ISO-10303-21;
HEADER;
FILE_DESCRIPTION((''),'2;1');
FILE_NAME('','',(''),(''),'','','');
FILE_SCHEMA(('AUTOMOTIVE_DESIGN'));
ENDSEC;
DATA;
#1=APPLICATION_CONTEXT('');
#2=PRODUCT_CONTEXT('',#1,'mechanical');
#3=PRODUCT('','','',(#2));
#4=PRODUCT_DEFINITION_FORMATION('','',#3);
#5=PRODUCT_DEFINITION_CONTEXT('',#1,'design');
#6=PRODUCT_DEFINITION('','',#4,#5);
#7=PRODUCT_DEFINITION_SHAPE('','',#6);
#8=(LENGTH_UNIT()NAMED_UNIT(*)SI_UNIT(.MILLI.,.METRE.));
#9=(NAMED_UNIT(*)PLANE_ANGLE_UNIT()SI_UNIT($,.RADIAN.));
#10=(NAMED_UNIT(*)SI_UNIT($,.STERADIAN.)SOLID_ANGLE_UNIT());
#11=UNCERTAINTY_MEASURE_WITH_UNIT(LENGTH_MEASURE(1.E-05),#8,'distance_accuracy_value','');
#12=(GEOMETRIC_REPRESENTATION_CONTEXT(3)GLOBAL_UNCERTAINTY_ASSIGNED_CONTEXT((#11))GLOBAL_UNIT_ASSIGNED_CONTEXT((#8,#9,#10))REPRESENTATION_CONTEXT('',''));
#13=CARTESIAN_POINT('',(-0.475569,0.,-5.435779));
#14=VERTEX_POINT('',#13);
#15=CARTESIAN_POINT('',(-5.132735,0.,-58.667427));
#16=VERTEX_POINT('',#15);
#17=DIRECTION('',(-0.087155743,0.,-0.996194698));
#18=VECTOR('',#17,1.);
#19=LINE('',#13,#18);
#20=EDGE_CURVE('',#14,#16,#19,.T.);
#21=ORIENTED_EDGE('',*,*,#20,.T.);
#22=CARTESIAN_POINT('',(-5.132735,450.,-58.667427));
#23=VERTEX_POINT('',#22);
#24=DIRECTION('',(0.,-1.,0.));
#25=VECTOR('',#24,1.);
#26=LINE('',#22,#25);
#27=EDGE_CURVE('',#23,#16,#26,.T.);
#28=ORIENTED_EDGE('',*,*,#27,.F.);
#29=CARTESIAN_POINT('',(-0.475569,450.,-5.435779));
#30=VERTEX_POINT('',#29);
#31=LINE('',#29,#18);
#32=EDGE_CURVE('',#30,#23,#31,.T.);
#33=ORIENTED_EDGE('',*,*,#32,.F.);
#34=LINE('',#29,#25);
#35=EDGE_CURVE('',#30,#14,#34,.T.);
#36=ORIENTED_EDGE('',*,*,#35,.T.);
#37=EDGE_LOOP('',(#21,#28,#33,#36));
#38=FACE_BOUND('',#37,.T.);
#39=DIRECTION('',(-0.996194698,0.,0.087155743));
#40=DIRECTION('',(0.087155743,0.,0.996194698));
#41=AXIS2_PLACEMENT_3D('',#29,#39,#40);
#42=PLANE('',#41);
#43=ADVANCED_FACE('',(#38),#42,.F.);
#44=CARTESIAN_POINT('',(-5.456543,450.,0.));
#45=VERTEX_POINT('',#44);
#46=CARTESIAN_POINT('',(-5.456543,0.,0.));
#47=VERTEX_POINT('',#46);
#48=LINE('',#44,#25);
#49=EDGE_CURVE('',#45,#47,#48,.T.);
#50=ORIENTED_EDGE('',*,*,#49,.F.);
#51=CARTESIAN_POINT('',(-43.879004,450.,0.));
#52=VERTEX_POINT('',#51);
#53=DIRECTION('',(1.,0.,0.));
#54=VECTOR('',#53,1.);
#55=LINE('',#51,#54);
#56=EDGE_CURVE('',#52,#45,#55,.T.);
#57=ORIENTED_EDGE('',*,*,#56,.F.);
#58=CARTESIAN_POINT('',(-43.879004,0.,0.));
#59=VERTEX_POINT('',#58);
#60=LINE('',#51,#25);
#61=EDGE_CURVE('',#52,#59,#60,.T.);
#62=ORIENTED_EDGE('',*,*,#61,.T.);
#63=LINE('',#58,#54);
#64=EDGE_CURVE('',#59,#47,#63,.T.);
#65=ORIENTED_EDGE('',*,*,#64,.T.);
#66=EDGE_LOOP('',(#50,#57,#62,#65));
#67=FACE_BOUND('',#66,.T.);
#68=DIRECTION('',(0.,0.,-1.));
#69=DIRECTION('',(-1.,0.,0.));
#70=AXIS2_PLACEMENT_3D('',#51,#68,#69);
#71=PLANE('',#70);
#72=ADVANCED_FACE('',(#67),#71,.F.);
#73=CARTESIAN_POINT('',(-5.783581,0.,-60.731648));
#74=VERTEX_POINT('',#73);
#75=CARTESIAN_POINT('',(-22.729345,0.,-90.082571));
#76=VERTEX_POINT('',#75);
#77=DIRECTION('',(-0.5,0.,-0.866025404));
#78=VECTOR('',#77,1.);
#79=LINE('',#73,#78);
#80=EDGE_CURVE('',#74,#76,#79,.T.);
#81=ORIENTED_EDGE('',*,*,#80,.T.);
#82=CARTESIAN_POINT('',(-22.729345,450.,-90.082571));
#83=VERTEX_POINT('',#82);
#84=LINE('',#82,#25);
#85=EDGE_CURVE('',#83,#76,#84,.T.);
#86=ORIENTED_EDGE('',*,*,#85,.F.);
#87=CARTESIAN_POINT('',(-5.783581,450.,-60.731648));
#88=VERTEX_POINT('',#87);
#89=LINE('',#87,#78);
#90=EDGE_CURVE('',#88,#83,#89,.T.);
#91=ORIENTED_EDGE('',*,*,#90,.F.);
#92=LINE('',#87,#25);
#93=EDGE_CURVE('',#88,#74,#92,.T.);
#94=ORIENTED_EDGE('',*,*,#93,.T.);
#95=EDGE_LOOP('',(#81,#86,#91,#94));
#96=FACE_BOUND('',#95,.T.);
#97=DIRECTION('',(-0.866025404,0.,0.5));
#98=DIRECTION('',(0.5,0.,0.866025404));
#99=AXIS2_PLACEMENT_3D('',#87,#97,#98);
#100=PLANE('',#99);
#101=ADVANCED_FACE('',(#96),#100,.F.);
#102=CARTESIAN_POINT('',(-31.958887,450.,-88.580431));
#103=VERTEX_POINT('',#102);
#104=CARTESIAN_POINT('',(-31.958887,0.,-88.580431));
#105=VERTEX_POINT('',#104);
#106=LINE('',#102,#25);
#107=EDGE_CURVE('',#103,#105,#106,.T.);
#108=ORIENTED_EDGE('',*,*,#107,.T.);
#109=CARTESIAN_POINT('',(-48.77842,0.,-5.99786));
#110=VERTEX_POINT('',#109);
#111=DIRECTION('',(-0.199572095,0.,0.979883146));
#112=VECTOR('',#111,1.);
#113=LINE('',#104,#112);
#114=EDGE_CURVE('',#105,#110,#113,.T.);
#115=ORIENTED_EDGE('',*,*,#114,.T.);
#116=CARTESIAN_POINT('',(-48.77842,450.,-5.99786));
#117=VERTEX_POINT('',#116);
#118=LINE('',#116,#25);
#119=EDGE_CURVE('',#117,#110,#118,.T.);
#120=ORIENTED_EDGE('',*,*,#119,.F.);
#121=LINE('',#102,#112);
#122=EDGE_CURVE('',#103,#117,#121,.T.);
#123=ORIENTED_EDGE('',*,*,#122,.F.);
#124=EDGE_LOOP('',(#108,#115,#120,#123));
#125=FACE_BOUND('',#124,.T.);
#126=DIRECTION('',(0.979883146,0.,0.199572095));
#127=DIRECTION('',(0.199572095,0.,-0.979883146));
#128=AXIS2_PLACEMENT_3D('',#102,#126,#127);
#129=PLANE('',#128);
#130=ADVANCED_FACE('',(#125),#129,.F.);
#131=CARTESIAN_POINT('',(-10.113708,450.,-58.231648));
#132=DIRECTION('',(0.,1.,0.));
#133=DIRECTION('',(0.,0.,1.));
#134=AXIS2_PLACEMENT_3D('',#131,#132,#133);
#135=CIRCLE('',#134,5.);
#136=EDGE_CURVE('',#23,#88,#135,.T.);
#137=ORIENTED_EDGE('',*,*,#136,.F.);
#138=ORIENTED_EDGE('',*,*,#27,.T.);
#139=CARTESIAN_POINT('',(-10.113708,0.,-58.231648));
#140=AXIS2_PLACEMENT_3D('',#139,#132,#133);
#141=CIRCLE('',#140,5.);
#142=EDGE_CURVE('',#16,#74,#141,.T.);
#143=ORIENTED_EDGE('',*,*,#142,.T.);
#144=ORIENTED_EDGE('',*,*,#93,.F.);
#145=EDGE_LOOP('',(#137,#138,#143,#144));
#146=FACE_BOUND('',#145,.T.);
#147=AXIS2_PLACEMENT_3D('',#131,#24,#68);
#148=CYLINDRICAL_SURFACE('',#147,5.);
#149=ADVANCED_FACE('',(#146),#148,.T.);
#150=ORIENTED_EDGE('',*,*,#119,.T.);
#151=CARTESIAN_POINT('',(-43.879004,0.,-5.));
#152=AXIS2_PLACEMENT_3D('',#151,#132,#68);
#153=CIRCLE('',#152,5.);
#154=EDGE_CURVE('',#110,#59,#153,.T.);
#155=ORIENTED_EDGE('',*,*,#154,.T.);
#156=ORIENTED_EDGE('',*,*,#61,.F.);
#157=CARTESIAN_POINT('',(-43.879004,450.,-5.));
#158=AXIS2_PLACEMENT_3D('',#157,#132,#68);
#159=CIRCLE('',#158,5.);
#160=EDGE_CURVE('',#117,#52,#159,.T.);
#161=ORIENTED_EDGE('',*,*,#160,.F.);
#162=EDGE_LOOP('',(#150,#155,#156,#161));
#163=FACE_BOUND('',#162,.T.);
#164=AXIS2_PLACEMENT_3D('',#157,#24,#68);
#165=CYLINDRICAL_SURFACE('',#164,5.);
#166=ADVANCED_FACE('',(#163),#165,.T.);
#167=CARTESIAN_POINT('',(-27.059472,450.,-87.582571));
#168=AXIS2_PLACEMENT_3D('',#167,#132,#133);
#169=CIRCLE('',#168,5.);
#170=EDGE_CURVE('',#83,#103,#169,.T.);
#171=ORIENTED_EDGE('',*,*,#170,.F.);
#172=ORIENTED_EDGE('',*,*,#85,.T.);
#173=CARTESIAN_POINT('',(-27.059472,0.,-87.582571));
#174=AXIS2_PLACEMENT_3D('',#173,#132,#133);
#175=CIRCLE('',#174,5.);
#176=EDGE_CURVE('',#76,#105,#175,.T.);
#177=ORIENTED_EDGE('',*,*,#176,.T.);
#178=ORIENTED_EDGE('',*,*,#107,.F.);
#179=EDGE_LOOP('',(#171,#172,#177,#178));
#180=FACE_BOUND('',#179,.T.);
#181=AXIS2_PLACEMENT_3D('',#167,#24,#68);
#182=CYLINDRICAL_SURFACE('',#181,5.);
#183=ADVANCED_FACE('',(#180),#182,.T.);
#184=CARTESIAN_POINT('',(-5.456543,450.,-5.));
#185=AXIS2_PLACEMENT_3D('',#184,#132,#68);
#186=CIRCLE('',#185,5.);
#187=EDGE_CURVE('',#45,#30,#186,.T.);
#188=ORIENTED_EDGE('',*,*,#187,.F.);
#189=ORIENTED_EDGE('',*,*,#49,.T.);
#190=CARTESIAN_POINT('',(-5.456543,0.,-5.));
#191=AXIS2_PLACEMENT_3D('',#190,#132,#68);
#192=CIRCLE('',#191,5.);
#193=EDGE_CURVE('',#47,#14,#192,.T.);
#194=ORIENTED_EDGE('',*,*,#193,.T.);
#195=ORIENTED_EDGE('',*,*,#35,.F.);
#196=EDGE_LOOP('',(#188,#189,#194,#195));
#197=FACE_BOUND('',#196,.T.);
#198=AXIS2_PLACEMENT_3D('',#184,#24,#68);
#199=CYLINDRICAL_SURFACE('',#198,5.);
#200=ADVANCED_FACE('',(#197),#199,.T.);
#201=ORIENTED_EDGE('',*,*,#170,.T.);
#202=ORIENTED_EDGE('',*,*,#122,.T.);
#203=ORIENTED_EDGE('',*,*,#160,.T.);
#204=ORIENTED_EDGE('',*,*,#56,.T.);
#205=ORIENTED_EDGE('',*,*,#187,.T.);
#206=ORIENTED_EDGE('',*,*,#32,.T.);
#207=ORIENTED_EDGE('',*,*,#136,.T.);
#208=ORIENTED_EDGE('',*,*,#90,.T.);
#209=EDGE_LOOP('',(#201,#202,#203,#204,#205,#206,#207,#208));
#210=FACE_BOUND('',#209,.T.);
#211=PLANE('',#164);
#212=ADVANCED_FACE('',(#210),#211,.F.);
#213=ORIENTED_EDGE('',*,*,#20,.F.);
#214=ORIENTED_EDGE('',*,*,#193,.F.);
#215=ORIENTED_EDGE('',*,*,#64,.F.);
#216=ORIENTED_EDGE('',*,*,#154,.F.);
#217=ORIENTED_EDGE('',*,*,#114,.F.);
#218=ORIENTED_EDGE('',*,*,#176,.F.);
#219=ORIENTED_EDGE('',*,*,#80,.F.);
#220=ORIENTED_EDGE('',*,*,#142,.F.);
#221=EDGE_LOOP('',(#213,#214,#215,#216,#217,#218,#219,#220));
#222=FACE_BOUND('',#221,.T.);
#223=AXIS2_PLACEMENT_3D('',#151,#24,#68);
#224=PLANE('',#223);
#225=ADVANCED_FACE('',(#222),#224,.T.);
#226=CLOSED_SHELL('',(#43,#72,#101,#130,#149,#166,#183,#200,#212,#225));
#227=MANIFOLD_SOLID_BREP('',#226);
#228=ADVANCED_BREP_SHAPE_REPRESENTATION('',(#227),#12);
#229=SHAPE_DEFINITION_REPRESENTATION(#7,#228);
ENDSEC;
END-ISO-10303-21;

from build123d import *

# Parameters (mm, degrees)
EXTRUDE_1_DEPTH = 450


with BuildPart() as part:
    # Эскиз1 → Бобышка-Вытянуть1 (new body)
    with BuildSketch(Plane(origin=(0, 0, 0), x_dir=(1, 0, 0), z_dir=(0, 1, 0))):
        with BuildLine():
            Line((-43.879004349, 0), (-5.456542505, 0))
            ThreePointArc((-5.456542505, 0), (-1.770155821, 1.622048962), (-0.475569015, 5.435778714))
            Line((-0.475569015, 5.435778714), (-5.13273475, 58.667426648))
            ThreePointArc((-5.13273475, 58.667426648), (-5.345123487, 59.735176932), (-5.783581221, 60.731647934))
            Line((-5.783581221, 60.731647934), (-22.729344565, 90.082571018))
            ThreePointArc((-22.729344565, 90.082571018), (-27.862670313, 92.51763655), (-31.958887312, 88.580431491))
            Line((-31.958887312, 88.580431491), (-48.778420077, 5.997860473))
            ThreePointArc((-48.778420077, 5.997860473), (-47.751297104, 1.836876731), (-43.879004349, 0))
        make_face()
    extrude(amount=EXTRUDE_1_DEPTH)


solid = part.part
